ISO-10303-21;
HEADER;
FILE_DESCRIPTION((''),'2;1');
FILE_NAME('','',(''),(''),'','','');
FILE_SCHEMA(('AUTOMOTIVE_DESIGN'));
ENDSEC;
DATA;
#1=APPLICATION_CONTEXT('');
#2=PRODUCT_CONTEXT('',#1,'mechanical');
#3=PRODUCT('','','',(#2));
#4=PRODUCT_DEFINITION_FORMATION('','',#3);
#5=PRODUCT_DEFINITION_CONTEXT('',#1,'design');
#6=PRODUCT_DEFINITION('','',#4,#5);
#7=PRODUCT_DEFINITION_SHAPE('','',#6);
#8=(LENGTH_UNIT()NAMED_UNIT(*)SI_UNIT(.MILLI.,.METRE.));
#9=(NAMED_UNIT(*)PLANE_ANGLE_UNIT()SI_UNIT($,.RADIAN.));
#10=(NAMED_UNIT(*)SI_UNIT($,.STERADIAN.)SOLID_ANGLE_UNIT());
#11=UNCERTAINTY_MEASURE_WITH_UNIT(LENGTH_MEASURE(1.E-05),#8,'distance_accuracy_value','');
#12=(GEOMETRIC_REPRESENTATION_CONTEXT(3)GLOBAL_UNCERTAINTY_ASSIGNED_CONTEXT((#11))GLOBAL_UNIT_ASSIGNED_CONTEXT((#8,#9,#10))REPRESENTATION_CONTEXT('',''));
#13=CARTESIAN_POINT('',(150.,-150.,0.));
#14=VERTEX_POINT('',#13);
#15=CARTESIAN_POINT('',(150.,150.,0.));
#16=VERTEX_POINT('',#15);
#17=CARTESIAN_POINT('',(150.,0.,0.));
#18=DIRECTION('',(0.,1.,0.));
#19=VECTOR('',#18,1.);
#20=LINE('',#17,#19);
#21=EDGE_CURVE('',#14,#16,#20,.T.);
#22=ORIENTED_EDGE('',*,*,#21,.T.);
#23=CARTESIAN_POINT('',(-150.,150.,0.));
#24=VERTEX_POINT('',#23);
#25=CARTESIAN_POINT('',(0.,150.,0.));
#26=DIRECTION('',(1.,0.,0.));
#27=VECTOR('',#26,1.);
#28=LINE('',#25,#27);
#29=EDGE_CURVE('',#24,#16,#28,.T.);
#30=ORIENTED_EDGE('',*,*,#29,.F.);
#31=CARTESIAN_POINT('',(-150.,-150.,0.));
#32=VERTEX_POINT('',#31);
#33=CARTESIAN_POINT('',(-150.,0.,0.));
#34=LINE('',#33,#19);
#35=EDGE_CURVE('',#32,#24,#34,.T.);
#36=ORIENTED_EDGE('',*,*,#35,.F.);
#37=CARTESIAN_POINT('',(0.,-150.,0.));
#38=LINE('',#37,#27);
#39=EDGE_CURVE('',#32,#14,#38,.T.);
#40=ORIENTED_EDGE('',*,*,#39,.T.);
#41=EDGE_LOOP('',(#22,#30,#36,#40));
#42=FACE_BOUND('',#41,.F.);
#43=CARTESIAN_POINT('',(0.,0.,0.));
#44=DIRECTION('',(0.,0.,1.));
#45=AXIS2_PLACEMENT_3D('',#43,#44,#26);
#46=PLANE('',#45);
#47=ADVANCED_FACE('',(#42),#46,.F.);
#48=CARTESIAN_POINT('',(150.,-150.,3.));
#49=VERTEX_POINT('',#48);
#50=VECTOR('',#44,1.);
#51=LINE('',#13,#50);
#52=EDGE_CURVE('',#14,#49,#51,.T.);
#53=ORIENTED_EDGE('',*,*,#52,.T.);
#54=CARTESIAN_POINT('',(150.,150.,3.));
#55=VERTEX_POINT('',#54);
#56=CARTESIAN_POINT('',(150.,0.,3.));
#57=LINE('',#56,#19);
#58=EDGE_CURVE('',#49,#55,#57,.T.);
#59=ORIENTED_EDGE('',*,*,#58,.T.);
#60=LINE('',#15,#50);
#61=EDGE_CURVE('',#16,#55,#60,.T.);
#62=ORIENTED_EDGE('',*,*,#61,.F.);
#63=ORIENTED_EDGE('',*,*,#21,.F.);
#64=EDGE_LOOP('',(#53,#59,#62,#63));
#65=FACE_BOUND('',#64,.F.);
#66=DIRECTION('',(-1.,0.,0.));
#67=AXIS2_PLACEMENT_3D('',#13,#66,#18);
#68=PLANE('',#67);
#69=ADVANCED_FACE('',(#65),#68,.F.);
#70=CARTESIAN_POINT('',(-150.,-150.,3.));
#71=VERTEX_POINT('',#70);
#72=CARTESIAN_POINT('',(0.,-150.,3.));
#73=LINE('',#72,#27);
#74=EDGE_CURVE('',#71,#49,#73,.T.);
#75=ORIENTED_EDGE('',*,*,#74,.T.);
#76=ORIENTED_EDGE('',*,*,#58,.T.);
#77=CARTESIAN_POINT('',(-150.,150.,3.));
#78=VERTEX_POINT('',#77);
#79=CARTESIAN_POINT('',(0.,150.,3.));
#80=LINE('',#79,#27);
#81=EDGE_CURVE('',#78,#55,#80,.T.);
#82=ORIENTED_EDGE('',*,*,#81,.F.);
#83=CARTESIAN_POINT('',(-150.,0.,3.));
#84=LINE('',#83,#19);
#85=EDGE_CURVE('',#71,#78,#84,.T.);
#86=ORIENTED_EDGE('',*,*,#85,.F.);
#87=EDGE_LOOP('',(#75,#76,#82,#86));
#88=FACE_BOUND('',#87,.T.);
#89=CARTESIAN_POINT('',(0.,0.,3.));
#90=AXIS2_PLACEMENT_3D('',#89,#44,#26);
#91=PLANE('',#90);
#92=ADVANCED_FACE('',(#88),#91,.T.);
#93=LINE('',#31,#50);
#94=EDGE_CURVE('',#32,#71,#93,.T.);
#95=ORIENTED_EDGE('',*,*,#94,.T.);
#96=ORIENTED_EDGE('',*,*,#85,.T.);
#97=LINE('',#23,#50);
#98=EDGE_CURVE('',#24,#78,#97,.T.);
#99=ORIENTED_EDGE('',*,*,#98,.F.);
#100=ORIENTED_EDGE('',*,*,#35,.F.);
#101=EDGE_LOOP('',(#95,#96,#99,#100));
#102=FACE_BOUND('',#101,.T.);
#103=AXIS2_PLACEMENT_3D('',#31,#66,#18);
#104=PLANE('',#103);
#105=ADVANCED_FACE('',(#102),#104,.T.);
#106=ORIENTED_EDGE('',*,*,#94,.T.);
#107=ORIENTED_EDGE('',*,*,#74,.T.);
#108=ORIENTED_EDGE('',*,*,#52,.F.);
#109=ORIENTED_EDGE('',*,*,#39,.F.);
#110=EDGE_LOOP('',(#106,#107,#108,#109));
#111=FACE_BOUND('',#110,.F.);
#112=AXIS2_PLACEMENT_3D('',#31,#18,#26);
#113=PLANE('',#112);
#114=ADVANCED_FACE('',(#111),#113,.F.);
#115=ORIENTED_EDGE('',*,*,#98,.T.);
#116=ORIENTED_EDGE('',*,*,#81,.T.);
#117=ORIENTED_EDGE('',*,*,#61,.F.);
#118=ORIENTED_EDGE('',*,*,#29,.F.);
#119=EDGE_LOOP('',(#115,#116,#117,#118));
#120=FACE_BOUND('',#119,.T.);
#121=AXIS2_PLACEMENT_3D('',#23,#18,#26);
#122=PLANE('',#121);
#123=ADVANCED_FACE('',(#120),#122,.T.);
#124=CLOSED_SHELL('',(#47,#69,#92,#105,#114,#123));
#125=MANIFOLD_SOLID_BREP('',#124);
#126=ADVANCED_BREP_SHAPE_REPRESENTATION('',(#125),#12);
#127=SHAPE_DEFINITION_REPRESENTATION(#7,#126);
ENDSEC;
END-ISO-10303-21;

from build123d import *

# Parameters (mm, degrees)
SKETCH002_W  = 300
SKETCH002_H  = 300
PAD007_DEPTH = 3


with BuildPart() as part:
    # Sketch002 → Pad007 (new body)
    with BuildSketch(Plane.XY):
        Rectangle(SKETCH002_W, SKETCH002_H)
    extrude(amount=PAD007_DEPTH)


solid = part.part
